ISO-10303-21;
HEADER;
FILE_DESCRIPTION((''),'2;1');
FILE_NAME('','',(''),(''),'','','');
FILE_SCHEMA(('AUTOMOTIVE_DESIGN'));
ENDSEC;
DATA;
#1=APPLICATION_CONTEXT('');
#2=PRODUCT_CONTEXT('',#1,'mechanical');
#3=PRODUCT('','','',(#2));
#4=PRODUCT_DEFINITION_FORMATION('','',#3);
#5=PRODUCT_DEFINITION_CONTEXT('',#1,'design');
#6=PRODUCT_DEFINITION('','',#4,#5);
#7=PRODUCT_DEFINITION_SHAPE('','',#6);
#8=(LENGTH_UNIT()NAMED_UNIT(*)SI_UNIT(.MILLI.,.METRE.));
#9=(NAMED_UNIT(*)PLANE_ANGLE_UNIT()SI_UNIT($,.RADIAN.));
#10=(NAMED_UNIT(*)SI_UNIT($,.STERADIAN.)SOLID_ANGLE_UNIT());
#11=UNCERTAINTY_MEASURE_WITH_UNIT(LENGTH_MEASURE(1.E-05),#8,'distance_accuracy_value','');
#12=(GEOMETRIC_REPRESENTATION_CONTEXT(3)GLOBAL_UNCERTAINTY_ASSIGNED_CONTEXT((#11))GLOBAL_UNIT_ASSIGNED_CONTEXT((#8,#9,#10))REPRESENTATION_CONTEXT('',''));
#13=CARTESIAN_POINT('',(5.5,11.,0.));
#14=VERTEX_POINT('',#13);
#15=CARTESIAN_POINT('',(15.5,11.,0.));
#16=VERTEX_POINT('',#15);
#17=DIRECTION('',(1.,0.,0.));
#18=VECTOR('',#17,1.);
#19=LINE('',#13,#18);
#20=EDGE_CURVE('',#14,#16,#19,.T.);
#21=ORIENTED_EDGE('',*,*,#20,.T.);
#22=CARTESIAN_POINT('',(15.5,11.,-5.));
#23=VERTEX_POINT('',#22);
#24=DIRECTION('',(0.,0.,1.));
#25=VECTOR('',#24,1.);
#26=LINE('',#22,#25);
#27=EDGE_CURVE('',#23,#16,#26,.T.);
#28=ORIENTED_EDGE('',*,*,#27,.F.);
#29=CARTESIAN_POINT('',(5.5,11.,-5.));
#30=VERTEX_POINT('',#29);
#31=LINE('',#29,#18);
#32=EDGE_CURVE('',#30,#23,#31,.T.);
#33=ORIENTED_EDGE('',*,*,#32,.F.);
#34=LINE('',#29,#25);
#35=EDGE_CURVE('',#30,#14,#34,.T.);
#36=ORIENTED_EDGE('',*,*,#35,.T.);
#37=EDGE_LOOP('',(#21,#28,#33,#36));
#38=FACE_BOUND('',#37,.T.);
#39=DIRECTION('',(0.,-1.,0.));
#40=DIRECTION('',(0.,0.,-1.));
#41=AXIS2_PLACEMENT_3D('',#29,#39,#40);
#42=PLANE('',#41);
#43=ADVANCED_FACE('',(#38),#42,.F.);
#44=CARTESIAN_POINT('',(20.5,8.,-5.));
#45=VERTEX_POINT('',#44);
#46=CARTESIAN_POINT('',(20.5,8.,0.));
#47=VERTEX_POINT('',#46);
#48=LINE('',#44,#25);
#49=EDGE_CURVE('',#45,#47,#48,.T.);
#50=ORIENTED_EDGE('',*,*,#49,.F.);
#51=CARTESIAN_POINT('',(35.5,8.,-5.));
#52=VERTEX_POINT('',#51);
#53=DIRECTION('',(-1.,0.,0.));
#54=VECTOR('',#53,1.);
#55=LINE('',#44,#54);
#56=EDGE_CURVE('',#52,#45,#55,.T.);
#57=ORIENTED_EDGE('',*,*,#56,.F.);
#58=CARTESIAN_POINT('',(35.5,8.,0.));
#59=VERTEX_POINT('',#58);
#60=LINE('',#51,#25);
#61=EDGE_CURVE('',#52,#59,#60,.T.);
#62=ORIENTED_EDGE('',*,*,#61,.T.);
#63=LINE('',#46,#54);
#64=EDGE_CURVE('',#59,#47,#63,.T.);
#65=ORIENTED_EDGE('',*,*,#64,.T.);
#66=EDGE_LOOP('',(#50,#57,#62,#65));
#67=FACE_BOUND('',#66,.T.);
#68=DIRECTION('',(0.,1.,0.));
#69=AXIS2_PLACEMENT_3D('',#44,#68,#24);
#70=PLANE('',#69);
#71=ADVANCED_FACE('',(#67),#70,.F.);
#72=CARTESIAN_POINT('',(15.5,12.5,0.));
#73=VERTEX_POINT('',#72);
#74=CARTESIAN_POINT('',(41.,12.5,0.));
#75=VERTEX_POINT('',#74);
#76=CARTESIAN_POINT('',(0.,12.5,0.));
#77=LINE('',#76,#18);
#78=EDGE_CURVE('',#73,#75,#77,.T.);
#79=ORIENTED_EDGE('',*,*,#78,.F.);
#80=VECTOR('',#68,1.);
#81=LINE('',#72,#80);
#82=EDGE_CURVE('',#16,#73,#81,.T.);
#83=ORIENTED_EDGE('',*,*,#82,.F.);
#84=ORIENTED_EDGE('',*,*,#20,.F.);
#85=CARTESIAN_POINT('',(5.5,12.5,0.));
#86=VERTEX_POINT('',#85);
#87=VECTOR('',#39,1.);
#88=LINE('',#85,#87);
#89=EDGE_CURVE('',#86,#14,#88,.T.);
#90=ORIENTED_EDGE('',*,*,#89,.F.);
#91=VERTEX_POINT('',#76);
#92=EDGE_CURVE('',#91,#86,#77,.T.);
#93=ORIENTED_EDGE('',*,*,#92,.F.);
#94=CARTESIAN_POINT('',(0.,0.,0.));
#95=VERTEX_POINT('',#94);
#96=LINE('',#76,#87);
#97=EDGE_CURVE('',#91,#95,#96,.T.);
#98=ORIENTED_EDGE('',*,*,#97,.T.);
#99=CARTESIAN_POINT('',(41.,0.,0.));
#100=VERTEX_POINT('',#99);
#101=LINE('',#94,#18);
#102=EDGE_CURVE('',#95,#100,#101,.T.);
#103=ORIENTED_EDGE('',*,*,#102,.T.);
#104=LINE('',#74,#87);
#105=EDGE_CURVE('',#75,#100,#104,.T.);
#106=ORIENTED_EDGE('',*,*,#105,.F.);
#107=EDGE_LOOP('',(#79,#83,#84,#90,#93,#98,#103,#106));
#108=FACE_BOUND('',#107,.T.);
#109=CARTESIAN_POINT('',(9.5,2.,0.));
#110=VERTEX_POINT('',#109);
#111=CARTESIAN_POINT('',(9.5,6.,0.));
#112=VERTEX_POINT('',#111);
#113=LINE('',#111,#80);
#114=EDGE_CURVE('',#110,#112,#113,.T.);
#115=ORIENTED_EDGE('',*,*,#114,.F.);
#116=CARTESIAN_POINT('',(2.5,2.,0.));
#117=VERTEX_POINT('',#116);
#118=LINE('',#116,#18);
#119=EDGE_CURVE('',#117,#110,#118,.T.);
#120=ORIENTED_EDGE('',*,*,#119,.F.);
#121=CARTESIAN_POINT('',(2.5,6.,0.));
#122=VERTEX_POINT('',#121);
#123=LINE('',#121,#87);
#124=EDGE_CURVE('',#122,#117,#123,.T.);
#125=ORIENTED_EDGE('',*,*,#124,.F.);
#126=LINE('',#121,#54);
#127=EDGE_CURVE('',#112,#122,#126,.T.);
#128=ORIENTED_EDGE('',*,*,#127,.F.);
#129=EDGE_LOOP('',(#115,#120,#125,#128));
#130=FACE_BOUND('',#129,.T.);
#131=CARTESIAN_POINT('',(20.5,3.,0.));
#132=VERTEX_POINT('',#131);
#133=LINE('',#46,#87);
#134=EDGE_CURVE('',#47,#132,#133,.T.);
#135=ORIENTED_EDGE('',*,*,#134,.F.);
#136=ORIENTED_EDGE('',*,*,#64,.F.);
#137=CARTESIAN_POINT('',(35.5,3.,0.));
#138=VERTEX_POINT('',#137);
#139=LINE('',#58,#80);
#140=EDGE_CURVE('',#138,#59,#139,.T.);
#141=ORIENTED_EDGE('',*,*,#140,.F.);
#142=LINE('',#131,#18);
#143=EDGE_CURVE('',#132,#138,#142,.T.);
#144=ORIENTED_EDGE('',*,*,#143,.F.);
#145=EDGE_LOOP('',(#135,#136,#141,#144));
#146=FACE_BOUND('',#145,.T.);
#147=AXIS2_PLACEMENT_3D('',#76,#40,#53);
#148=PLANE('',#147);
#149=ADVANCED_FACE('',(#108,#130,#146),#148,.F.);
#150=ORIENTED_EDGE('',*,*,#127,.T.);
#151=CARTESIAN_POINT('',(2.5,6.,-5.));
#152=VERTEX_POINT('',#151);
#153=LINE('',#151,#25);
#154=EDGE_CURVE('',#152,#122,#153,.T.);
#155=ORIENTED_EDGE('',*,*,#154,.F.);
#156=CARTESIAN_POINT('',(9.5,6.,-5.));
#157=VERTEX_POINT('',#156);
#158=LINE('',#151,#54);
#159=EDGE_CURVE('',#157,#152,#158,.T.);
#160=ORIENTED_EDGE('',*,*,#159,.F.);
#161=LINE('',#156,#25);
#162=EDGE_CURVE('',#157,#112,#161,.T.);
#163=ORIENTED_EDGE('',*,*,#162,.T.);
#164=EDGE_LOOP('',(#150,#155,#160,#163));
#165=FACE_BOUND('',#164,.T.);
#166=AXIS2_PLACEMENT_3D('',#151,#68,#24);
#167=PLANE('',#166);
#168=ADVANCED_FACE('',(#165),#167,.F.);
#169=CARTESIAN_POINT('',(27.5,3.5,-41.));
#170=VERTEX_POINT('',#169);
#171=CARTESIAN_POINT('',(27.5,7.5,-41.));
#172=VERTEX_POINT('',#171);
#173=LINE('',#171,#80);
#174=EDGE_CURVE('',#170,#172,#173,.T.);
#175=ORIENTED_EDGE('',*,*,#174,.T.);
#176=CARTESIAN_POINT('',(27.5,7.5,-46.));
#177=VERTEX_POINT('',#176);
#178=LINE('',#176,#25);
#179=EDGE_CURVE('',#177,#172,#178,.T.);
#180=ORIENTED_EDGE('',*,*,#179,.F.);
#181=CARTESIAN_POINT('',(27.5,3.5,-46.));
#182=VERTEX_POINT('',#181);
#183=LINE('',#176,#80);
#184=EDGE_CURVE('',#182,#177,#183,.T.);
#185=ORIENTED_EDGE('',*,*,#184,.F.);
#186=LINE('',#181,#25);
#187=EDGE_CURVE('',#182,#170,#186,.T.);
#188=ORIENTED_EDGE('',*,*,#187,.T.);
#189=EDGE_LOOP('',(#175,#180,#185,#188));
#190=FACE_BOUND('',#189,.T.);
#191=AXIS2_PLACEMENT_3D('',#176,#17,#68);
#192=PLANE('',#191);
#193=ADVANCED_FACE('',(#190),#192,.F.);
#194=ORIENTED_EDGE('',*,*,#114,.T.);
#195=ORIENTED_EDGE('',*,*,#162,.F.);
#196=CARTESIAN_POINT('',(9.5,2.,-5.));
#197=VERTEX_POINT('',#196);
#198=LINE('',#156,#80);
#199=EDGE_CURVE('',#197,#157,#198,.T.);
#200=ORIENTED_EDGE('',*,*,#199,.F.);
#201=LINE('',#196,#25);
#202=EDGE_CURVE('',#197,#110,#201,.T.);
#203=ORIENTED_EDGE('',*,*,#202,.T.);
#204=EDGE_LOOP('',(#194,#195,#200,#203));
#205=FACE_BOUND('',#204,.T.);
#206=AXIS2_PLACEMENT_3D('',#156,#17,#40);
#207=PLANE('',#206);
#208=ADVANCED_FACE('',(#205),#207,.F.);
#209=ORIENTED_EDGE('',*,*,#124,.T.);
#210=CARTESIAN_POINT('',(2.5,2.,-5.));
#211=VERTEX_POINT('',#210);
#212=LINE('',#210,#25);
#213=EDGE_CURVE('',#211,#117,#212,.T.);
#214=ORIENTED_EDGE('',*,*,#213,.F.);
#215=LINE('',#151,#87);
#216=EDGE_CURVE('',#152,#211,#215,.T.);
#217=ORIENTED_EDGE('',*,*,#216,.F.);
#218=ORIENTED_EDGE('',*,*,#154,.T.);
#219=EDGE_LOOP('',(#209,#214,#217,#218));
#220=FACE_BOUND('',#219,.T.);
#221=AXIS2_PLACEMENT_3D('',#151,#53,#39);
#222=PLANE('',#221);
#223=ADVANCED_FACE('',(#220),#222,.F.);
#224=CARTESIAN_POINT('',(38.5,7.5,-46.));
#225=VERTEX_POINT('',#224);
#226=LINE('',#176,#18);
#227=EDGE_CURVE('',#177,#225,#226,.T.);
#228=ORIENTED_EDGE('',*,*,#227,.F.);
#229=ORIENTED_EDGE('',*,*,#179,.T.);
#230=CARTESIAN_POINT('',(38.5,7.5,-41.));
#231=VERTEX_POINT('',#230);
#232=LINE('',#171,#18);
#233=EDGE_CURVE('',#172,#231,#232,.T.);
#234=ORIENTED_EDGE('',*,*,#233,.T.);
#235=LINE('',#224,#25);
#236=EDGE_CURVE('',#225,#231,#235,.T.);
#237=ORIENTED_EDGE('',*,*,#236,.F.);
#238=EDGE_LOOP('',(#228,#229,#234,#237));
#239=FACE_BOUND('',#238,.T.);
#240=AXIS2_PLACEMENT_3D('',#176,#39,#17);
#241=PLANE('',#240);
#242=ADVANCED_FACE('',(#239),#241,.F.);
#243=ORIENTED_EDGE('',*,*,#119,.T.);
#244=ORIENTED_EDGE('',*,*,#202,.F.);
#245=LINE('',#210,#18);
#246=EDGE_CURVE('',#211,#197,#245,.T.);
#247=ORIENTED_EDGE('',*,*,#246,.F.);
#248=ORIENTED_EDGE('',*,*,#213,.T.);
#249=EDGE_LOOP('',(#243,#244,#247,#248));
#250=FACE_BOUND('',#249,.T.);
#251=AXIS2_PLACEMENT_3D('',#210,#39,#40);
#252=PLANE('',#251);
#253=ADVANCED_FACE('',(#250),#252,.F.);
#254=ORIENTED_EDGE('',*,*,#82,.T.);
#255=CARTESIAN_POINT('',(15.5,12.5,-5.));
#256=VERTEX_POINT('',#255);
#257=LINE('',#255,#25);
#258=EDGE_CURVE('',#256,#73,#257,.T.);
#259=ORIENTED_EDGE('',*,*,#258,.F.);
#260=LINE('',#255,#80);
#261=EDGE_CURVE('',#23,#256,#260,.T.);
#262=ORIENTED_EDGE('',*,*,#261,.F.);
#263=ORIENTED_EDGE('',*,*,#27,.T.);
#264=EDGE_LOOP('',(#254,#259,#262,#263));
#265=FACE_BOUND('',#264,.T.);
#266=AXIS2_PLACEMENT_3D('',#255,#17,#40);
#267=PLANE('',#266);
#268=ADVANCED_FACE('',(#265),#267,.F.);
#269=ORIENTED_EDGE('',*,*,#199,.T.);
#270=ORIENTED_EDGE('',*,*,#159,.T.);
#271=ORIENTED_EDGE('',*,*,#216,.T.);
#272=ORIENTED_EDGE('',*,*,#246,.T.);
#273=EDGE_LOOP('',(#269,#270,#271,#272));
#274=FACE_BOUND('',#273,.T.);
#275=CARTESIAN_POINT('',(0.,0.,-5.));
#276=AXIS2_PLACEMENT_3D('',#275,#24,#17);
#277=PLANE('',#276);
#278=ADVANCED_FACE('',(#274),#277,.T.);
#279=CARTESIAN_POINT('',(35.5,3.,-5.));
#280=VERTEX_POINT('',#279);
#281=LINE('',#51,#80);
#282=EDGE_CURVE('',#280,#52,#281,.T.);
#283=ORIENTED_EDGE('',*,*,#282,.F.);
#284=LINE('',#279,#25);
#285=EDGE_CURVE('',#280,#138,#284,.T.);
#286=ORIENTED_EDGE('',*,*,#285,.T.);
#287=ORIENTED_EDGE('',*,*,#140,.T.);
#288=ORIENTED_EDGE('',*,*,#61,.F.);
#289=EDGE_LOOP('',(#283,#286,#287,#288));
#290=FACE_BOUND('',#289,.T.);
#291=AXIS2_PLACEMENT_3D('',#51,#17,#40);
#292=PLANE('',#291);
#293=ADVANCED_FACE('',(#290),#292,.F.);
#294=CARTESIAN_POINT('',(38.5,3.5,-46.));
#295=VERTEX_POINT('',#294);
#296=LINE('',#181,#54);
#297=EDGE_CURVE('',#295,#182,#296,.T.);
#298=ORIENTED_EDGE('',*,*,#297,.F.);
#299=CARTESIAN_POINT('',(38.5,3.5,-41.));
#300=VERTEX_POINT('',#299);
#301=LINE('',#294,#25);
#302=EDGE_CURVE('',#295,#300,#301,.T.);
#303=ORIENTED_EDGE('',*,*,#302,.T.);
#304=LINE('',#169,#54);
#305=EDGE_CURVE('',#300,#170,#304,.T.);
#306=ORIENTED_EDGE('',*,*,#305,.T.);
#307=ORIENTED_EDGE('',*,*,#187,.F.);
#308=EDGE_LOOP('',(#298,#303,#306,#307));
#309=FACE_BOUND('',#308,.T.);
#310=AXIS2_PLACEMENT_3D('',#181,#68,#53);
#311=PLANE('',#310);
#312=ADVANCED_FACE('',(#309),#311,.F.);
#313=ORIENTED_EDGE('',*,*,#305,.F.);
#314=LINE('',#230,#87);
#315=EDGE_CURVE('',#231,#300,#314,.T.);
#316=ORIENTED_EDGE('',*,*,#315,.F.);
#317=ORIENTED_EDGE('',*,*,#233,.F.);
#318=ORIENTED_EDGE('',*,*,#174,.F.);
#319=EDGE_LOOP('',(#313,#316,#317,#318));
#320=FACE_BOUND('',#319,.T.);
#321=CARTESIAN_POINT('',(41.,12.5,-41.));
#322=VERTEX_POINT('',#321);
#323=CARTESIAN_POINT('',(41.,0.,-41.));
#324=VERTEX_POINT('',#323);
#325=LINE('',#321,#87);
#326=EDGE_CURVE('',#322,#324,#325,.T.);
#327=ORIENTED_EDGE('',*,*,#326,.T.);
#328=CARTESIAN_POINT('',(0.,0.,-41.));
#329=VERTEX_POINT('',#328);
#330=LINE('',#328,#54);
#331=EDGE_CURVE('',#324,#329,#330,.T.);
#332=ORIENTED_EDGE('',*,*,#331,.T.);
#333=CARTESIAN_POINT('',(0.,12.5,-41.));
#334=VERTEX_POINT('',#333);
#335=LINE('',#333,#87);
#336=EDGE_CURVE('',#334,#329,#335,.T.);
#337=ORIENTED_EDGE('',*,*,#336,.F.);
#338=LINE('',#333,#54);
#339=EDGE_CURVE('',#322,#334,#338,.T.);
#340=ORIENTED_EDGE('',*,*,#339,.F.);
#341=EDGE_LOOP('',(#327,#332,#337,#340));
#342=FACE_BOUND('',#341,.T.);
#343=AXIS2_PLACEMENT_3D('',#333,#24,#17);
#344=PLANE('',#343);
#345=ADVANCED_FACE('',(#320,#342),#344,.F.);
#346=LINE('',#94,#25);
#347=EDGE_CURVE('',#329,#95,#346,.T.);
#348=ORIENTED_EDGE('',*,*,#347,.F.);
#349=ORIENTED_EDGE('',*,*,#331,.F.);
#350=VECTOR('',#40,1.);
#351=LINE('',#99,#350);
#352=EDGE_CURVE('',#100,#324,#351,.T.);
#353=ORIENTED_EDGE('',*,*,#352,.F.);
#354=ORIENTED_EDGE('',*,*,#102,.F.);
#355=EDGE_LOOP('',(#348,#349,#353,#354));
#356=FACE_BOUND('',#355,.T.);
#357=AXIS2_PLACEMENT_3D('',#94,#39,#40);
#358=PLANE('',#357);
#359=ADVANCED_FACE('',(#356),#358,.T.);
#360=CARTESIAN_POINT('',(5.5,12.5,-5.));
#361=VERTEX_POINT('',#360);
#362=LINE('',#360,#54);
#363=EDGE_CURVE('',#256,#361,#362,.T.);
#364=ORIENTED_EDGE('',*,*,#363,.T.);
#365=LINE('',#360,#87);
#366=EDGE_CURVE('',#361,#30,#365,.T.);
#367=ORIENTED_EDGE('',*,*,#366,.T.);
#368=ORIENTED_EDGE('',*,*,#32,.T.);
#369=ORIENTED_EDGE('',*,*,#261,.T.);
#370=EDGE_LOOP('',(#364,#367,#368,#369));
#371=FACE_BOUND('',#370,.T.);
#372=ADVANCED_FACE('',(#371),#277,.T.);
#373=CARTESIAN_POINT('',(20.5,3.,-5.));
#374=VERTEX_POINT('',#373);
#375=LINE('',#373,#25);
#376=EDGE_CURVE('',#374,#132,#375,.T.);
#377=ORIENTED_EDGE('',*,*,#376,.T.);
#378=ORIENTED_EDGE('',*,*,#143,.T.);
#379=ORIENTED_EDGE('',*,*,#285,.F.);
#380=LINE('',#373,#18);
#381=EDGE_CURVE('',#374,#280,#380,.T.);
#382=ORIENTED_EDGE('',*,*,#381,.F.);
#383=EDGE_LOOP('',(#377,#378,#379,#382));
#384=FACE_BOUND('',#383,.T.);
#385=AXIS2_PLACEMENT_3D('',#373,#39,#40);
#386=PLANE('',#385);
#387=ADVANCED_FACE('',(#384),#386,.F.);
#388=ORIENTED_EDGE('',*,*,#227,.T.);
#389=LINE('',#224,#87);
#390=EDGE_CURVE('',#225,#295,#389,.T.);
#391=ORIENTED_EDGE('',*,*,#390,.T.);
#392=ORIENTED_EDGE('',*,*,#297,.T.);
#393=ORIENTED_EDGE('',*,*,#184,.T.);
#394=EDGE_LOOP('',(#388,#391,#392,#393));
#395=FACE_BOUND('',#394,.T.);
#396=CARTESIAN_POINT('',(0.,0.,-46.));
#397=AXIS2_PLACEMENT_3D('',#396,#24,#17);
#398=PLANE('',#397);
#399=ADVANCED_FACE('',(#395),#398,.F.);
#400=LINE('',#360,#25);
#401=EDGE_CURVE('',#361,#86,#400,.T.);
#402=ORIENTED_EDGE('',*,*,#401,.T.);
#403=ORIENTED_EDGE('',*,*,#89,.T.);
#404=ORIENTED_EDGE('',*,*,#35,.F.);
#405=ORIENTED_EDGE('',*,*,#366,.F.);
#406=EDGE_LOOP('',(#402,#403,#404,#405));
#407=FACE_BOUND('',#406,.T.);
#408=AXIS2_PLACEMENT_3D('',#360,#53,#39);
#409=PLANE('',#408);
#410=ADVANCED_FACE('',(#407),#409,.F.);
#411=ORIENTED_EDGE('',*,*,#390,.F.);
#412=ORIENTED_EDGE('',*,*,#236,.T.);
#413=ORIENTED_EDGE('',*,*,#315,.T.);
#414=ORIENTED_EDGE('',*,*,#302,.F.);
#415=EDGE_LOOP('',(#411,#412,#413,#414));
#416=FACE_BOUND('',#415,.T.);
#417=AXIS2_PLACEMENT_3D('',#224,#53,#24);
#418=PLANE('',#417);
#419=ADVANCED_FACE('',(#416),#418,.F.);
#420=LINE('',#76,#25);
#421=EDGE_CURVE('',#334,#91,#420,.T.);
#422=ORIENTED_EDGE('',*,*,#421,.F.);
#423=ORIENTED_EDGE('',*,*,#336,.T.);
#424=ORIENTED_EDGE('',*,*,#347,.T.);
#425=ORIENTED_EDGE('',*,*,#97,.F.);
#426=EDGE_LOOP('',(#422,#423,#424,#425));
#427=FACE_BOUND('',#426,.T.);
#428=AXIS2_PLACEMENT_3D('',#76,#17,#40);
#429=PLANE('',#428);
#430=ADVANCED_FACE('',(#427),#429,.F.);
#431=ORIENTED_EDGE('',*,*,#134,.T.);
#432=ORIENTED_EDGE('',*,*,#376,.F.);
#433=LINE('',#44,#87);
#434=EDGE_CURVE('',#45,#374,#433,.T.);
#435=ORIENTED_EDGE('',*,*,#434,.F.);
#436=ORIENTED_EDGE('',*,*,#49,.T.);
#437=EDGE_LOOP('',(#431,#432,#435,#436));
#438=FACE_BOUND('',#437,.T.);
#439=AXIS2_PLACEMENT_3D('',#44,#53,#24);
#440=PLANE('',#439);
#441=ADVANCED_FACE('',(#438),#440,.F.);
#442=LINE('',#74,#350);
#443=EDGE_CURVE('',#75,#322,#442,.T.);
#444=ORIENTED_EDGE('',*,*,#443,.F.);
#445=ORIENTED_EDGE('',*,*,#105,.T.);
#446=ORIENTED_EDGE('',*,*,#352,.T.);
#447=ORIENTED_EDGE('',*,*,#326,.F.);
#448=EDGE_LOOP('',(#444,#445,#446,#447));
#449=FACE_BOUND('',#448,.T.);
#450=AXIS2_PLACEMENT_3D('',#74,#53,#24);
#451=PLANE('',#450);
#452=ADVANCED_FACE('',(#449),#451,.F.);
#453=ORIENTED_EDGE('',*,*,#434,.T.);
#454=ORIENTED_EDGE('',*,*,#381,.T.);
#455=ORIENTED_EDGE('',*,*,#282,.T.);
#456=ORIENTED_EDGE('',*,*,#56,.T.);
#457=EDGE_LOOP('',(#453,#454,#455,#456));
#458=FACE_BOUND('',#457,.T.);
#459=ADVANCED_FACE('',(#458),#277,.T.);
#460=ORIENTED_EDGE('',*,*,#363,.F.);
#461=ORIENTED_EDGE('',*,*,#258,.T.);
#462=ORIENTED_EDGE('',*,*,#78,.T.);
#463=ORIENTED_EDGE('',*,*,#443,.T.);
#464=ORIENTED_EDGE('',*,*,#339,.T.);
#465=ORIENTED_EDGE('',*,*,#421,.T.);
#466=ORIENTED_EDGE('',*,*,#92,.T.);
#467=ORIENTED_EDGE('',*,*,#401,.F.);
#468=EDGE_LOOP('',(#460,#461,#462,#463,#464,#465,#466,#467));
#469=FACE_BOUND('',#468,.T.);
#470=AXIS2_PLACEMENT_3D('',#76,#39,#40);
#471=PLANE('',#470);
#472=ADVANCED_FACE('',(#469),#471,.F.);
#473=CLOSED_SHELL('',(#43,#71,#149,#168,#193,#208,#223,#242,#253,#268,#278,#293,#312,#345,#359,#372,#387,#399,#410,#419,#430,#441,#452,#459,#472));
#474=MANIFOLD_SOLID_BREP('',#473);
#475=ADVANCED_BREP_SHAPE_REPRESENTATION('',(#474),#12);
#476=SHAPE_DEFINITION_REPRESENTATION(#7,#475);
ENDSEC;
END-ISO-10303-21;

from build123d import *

# Parameters (mm, degrees)
SKETCH1_W           = 41
SKETCH1_H           = 41
BOSS_EXTRUDE1_DEPTH = 12.5
SKETCH2_W           = 10
SKETCH2_H           = 1.5
CUT_EXTRUDE1_DEPTH  = 5
SKETCH3_W           = 7
SKETCH3_H           = 4
CUT_EXTRUDE2_DEPTH  = 5
SKETCH4_W           = 15
SKETCH4_H           = 5
CUT_EXTRUDE3_DEPTH  = 5
SKETCH5_W           = 11
SKETCH5_H           = 4
BOSS_EXTRUDE2_DEPTH = 5


with BuildPart() as part:
    # Sketch1 → Boss-Extrude1 (new body)
    with BuildSketch(Plane(origin=(0, 0, 0), x_dir=(1, 0, 0), z_dir=(0, 1, 0))):
        with Locations((20.5, 20.5)):
            Rectangle(SKETCH1_W, SKETCH1_H)
    extrude(amount=BOSS_EXTRUDE1_DEPTH)

    # Sketch2 → Cut-Extrude1 (cut)
    with BuildSketch(Plane.XY):
        with Locations((10.5, 11.75)):
            Rectangle(SKETCH2_W, SKETCH2_H)
    extrude(amount=-CUT_EXTRUDE1_DEPTH, mode=Mode.SUBTRACT)

    # Sketch3 → Cut-Extrude2 (cut)
    with BuildSketch(Plane.XY):
        with Locations((6, 4)):
            Rectangle(SKETCH3_W, SKETCH3_H)
    extrude(amount=-CUT_EXTRUDE2_DEPTH, mode=Mode.SUBTRACT)

    # Sketch4 → Cut-Extrude3 (cut)
    with BuildSketch(Plane.XY):
        with Locations((28, 5.5)):
            Rectangle(SKETCH4_W, SKETCH4_H)
    extrude(amount=-CUT_EXTRUDE3_DEPTH, mode=Mode.SUBTRACT)

    # Sketch5 → Boss-Extrude2 (add)
    with BuildSketch(Plane(origin=(0, 0, -41), x_dir=(-1, 0, 0), z_dir=(0, 0, -1))):
        with Locations((-33, 5.5)):
            Rectangle(SKETCH5_W, SKETCH5_H)
    extrude(amount=BOSS_EXTRUDE2_DEPTH)


solid = part.part
